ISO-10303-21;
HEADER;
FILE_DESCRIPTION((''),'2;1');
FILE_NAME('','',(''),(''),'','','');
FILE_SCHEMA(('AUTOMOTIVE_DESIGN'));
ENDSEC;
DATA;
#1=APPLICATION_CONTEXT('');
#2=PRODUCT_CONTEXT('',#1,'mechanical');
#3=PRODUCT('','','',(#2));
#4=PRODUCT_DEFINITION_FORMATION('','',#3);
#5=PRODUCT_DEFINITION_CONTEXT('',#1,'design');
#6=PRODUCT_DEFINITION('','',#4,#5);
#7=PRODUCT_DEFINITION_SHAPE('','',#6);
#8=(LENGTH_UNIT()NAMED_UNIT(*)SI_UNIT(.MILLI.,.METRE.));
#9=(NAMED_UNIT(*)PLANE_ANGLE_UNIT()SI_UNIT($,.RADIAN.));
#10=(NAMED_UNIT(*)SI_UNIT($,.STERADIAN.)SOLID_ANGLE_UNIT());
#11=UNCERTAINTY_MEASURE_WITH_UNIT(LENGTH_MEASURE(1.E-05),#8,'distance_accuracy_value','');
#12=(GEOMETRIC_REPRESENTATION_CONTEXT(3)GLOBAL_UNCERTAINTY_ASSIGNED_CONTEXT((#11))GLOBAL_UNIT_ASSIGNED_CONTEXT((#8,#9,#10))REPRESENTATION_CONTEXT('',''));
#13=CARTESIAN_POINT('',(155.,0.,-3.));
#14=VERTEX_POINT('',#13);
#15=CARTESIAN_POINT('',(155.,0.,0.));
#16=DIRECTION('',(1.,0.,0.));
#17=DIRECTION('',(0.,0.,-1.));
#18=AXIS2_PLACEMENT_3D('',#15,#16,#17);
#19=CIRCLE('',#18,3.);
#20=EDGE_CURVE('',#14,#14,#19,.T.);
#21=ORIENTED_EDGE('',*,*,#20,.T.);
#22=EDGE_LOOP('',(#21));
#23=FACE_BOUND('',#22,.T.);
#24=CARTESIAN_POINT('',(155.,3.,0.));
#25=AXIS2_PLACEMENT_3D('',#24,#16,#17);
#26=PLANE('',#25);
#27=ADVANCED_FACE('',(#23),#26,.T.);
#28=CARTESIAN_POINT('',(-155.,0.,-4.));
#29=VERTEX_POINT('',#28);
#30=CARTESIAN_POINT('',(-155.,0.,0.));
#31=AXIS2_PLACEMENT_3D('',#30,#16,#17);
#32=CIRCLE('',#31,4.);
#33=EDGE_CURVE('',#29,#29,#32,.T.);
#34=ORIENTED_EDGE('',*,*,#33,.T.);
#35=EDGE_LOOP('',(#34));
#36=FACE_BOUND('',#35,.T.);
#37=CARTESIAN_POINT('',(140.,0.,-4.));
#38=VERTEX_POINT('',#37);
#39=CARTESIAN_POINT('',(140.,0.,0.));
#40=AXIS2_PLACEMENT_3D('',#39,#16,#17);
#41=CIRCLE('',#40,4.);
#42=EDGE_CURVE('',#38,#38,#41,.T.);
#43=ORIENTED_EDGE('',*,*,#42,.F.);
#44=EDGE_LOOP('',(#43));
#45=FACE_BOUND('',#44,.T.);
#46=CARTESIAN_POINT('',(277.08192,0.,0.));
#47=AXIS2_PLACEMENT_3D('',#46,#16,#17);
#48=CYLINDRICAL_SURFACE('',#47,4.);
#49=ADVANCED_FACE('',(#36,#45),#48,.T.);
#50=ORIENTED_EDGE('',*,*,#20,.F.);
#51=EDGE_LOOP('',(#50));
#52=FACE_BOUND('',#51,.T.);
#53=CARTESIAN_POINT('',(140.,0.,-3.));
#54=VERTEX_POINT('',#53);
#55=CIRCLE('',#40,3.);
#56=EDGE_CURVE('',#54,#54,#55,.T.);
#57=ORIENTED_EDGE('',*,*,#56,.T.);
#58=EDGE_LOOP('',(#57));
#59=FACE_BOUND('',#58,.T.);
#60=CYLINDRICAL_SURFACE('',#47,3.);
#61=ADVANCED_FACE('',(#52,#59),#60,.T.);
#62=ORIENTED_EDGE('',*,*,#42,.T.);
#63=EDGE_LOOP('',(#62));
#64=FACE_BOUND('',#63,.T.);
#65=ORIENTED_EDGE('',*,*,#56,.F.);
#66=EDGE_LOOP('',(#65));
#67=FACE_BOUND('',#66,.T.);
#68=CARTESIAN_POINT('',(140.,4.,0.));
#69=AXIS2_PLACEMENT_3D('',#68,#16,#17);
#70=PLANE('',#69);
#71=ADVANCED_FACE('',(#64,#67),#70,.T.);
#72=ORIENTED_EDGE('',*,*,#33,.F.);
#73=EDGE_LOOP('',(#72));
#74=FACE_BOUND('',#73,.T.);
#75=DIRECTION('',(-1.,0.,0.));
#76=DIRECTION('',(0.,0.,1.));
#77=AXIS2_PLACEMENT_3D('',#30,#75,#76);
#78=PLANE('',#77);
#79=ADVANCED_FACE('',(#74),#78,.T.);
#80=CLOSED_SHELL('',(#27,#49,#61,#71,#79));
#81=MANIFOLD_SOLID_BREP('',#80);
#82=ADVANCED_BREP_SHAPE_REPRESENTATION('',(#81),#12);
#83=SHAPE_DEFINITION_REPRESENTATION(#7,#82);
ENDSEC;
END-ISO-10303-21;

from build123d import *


with BuildPart() as part:
    # Sketch1 → Revolve1 (revolve)
    with BuildSketch(Plane.XY, mode=Mode.PRIVATE) as revolve1_sk:
        Polygon((-155, 0), (-155, 4), (140, 4), (140, 3), (155, 3), (155, 0), align=None)
    revolve(revolve1_sk.sketch.rotate(Axis((277.081919691, 0, 0), (-1, 0, 0)), 90), axis=Axis((277.081919691, 0, 0), (-1, 0, 0)))


solid = part.part
